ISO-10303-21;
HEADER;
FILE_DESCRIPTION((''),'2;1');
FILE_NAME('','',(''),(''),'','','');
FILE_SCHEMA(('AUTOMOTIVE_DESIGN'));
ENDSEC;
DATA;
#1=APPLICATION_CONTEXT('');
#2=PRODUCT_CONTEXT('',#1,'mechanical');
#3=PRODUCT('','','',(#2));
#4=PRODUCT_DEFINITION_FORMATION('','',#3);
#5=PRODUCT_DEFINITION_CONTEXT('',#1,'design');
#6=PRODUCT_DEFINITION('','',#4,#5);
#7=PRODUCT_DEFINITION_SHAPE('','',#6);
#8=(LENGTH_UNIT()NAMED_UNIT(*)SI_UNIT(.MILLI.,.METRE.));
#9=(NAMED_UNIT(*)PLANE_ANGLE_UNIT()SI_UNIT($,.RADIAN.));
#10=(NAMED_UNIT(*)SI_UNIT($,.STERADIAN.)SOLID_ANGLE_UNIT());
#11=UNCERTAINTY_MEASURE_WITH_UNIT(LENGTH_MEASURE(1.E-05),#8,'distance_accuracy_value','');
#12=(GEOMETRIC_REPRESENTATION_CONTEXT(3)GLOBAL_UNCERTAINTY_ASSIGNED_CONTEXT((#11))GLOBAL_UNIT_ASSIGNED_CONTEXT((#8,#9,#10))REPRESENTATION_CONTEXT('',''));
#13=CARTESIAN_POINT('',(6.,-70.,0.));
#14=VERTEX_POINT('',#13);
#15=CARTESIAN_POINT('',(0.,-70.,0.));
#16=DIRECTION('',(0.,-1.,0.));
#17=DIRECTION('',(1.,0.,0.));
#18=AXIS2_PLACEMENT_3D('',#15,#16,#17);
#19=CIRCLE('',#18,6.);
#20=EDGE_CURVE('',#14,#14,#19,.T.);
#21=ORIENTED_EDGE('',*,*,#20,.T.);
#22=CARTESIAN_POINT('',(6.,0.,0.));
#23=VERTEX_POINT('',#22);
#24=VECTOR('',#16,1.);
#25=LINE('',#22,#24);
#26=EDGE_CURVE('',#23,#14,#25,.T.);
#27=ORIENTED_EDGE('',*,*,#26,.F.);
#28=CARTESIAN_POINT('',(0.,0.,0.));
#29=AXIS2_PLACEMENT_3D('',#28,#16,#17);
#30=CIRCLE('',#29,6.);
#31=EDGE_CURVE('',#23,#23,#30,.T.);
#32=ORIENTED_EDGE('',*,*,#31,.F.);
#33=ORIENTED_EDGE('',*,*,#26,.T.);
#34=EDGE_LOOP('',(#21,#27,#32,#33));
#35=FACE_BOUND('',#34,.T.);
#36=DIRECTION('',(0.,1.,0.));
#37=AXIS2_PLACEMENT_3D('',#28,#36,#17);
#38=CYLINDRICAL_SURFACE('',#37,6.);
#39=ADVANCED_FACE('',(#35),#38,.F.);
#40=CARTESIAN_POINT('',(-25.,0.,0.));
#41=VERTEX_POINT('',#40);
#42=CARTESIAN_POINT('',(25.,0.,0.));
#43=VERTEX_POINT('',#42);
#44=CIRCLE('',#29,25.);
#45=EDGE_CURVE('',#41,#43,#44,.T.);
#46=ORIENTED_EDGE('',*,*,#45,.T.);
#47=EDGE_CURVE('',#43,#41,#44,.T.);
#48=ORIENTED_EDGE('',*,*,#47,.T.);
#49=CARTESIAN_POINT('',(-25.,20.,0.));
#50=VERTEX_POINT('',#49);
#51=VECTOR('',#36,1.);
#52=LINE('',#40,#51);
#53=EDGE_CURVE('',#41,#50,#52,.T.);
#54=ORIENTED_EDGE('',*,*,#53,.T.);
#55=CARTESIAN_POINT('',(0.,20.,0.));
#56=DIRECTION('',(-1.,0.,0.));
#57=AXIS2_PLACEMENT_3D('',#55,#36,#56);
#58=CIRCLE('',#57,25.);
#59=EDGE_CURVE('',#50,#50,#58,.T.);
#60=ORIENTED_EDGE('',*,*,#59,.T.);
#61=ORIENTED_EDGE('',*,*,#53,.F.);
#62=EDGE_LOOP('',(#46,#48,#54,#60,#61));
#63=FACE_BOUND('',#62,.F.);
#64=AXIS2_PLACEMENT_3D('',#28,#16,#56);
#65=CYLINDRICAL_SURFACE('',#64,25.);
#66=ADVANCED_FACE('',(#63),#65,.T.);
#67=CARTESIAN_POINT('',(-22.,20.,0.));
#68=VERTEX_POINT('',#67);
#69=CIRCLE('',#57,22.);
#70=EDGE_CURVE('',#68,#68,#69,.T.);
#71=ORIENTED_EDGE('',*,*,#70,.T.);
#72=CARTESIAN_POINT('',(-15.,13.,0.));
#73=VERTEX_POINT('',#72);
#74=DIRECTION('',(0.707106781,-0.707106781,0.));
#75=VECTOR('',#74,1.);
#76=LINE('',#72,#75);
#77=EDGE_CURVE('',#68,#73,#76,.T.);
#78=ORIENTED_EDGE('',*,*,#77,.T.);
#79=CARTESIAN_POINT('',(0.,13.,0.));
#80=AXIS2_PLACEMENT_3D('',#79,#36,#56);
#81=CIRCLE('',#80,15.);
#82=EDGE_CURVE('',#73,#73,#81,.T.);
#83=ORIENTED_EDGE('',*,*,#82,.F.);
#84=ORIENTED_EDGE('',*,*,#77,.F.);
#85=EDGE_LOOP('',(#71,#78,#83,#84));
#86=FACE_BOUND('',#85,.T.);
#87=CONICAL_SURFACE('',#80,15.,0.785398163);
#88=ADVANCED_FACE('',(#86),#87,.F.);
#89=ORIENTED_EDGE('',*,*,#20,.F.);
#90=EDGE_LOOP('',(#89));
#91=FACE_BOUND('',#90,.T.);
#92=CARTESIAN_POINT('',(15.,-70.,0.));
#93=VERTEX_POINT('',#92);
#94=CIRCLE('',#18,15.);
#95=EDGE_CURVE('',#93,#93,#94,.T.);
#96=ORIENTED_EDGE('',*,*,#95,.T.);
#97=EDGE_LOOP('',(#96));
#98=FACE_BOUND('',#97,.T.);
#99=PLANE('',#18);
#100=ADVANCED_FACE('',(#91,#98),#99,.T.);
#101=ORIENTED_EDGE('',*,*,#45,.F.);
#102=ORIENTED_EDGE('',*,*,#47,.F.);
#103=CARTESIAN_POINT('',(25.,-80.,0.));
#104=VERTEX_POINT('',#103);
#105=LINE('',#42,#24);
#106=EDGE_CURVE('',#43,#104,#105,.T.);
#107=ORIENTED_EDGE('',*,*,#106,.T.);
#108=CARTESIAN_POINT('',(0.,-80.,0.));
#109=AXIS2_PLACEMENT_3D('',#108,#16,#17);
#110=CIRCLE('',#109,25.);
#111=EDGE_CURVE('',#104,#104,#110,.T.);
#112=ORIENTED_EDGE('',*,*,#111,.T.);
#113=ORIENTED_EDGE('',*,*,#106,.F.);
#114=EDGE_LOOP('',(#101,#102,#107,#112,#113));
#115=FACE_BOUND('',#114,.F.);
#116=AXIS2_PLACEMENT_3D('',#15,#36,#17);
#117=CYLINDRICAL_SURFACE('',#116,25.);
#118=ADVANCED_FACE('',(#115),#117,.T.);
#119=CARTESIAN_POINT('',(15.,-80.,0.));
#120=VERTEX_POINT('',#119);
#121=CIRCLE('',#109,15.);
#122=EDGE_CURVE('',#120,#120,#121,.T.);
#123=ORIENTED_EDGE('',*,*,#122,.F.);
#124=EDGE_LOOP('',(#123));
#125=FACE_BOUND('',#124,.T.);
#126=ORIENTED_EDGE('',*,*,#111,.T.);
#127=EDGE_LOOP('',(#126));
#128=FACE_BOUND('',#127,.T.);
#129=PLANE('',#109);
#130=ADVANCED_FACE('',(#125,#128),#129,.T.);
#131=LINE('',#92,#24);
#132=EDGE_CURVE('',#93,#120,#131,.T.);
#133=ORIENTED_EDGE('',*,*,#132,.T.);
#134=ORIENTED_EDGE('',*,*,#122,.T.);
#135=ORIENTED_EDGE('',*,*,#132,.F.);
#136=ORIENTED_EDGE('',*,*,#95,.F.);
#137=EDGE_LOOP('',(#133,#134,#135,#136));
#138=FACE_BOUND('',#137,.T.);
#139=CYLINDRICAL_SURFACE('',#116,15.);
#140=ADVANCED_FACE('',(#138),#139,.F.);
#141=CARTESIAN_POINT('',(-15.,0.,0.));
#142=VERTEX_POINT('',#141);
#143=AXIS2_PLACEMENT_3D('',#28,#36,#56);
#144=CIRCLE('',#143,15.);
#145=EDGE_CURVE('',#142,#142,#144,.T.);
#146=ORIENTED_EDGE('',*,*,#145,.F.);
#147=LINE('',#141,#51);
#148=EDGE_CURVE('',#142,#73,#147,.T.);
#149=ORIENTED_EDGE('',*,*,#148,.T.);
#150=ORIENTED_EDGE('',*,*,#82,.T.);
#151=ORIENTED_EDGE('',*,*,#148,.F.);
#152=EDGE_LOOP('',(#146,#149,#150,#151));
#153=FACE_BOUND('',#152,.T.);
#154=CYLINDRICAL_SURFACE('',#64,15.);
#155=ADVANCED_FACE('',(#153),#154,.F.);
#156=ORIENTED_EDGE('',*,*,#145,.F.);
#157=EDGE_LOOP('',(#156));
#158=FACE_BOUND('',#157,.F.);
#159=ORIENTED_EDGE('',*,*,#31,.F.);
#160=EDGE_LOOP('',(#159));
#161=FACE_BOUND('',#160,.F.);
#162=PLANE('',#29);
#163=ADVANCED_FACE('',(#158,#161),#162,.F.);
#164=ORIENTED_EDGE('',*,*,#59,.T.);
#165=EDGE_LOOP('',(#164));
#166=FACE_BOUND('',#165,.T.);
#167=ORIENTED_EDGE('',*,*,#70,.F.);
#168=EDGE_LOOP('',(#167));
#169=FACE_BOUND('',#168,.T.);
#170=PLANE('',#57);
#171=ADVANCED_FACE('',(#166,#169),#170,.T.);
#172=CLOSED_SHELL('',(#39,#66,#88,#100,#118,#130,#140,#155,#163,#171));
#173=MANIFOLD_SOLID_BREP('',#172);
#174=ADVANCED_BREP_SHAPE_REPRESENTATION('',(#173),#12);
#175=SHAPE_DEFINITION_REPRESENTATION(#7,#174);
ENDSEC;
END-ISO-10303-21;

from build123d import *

# Parameters (mm, degrees)
F0_R     = 25
F0_R_2   = 6
F1_DEPTH = 70
F2_R     = 25
F2_R_2   = 15
F3_DEPTH = 10
F4_R     = 25
F4_R_2   = 15
F5_DEPTH = 20
F6_SIZE  = 7


with BuildPart() as f1:
    # F0 (on Front) → F1 (new body)
    with BuildSketch(Plane.XZ):
        Circle(F0_R)
        Circle(F0_R_2, mode=Mode.SUBTRACT)
    extrude(amount=F1_DEPTH)

    # F2 (on face) → F3 (join)
    with BuildSketch(Plane.XZ.offset(70)):
        Circle(F2_R)
        Circle(F2_R_2, mode=Mode.SUBTRACT)
    extrude(amount=F3_DEPTH)

    # F4 (on face) → F5 (join)
    with BuildSketch(Plane(origin=(0, 0, 0), x_dir=(-1, 0, 0), z_dir=(0, 1, 0))):
        Circle(F4_R)
        Circle(F4_R_2, mode=Mode.SUBTRACT)
    extrude(amount=F5_DEPTH)

    # F6
    f6_edges = [f1.edges().sort_by_distance(p)[0] for p in [
        (15, 20, 0),
    ]]
    chamfer(f6_edges, length=F6_SIZE)


solid = f1.part
